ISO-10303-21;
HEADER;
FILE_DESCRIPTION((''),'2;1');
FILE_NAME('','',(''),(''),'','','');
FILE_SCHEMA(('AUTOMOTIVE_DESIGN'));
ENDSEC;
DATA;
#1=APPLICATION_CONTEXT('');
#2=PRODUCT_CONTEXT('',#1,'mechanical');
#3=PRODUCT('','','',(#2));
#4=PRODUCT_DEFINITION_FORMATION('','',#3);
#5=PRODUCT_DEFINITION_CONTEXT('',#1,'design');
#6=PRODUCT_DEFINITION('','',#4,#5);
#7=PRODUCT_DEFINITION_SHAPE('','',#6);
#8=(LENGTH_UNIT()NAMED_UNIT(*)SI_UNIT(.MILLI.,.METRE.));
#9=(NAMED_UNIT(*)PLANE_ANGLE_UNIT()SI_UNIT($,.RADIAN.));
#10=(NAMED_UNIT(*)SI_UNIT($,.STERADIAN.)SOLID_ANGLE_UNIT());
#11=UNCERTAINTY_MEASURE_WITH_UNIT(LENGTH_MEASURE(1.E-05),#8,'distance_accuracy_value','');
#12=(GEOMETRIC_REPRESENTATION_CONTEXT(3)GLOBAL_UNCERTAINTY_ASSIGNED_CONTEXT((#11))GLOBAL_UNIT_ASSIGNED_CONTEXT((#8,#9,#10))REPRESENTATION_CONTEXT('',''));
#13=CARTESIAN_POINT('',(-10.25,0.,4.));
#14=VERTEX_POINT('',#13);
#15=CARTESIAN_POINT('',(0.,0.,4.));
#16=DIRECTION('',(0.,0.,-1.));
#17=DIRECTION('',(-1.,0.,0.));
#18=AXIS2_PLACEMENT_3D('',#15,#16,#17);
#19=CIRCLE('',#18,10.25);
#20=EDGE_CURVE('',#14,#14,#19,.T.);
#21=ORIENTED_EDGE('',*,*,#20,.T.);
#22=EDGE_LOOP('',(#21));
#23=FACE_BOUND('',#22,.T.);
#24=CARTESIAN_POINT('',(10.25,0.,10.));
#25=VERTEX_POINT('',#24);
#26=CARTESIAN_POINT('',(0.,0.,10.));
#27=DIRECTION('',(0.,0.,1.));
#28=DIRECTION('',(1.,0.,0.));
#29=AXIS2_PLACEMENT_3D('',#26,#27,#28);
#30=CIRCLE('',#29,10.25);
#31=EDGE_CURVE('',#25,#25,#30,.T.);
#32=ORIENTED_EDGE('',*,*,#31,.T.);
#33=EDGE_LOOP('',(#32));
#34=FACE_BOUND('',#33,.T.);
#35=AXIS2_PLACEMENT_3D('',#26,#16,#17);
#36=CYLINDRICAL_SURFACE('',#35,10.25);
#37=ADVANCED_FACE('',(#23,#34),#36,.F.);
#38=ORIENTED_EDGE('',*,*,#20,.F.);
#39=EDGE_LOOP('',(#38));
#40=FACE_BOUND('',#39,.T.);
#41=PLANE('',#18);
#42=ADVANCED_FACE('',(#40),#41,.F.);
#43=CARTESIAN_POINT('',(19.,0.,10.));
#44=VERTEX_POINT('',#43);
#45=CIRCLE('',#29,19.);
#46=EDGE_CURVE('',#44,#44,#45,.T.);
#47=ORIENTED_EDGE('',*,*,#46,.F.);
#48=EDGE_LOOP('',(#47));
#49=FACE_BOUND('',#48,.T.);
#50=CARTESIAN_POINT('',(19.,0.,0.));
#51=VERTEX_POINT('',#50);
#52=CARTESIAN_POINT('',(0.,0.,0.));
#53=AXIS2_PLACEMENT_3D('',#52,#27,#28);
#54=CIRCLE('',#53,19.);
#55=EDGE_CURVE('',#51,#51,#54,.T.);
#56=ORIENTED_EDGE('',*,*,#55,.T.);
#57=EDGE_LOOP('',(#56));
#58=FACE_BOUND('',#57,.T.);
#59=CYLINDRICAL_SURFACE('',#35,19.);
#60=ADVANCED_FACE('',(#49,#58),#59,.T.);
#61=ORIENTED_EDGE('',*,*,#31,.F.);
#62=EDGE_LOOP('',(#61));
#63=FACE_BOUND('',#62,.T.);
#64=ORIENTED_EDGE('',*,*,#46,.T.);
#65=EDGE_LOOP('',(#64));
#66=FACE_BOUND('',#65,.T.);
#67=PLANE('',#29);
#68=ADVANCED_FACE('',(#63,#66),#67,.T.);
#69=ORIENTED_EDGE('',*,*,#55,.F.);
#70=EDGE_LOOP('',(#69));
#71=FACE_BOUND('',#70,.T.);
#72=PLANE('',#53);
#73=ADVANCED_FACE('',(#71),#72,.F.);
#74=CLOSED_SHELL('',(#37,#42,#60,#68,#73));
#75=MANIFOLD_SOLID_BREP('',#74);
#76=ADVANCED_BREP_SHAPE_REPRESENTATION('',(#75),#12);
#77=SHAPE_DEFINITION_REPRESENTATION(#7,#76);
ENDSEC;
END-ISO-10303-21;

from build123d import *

# Parameters (mm, degrees)
ESQUISSE1_R        = 19
ESQUISSE1_R_2      = 10.25
BOSS_EXTRU_1_DEPTH = 10
ESQUISSE2_R        = 10.25
BOSS_EXTRU_2_DEPTH = 4


with BuildPart() as part:
    # Esquisse1 → Boss.-Extru.1 (new body)
    with BuildSketch(Plane.XY):
        Circle(ESQUISSE1_R)
        Circle(ESQUISSE1_R_2, mode=Mode.SUBTRACT)
    extrude(amount=BOSS_EXTRU_1_DEPTH)

    # Esquisse2 → Boss.-Extru.2 (add)
    with BuildSketch(Plane(origin=(0, 0, 0), x_dir=(-1, 0, 0), z_dir=(0, 0, -1))):
        Circle(ESQUISSE2_R)
    extrude(amount=-BOSS_EXTRU_2_DEPTH)


solid = part.part
